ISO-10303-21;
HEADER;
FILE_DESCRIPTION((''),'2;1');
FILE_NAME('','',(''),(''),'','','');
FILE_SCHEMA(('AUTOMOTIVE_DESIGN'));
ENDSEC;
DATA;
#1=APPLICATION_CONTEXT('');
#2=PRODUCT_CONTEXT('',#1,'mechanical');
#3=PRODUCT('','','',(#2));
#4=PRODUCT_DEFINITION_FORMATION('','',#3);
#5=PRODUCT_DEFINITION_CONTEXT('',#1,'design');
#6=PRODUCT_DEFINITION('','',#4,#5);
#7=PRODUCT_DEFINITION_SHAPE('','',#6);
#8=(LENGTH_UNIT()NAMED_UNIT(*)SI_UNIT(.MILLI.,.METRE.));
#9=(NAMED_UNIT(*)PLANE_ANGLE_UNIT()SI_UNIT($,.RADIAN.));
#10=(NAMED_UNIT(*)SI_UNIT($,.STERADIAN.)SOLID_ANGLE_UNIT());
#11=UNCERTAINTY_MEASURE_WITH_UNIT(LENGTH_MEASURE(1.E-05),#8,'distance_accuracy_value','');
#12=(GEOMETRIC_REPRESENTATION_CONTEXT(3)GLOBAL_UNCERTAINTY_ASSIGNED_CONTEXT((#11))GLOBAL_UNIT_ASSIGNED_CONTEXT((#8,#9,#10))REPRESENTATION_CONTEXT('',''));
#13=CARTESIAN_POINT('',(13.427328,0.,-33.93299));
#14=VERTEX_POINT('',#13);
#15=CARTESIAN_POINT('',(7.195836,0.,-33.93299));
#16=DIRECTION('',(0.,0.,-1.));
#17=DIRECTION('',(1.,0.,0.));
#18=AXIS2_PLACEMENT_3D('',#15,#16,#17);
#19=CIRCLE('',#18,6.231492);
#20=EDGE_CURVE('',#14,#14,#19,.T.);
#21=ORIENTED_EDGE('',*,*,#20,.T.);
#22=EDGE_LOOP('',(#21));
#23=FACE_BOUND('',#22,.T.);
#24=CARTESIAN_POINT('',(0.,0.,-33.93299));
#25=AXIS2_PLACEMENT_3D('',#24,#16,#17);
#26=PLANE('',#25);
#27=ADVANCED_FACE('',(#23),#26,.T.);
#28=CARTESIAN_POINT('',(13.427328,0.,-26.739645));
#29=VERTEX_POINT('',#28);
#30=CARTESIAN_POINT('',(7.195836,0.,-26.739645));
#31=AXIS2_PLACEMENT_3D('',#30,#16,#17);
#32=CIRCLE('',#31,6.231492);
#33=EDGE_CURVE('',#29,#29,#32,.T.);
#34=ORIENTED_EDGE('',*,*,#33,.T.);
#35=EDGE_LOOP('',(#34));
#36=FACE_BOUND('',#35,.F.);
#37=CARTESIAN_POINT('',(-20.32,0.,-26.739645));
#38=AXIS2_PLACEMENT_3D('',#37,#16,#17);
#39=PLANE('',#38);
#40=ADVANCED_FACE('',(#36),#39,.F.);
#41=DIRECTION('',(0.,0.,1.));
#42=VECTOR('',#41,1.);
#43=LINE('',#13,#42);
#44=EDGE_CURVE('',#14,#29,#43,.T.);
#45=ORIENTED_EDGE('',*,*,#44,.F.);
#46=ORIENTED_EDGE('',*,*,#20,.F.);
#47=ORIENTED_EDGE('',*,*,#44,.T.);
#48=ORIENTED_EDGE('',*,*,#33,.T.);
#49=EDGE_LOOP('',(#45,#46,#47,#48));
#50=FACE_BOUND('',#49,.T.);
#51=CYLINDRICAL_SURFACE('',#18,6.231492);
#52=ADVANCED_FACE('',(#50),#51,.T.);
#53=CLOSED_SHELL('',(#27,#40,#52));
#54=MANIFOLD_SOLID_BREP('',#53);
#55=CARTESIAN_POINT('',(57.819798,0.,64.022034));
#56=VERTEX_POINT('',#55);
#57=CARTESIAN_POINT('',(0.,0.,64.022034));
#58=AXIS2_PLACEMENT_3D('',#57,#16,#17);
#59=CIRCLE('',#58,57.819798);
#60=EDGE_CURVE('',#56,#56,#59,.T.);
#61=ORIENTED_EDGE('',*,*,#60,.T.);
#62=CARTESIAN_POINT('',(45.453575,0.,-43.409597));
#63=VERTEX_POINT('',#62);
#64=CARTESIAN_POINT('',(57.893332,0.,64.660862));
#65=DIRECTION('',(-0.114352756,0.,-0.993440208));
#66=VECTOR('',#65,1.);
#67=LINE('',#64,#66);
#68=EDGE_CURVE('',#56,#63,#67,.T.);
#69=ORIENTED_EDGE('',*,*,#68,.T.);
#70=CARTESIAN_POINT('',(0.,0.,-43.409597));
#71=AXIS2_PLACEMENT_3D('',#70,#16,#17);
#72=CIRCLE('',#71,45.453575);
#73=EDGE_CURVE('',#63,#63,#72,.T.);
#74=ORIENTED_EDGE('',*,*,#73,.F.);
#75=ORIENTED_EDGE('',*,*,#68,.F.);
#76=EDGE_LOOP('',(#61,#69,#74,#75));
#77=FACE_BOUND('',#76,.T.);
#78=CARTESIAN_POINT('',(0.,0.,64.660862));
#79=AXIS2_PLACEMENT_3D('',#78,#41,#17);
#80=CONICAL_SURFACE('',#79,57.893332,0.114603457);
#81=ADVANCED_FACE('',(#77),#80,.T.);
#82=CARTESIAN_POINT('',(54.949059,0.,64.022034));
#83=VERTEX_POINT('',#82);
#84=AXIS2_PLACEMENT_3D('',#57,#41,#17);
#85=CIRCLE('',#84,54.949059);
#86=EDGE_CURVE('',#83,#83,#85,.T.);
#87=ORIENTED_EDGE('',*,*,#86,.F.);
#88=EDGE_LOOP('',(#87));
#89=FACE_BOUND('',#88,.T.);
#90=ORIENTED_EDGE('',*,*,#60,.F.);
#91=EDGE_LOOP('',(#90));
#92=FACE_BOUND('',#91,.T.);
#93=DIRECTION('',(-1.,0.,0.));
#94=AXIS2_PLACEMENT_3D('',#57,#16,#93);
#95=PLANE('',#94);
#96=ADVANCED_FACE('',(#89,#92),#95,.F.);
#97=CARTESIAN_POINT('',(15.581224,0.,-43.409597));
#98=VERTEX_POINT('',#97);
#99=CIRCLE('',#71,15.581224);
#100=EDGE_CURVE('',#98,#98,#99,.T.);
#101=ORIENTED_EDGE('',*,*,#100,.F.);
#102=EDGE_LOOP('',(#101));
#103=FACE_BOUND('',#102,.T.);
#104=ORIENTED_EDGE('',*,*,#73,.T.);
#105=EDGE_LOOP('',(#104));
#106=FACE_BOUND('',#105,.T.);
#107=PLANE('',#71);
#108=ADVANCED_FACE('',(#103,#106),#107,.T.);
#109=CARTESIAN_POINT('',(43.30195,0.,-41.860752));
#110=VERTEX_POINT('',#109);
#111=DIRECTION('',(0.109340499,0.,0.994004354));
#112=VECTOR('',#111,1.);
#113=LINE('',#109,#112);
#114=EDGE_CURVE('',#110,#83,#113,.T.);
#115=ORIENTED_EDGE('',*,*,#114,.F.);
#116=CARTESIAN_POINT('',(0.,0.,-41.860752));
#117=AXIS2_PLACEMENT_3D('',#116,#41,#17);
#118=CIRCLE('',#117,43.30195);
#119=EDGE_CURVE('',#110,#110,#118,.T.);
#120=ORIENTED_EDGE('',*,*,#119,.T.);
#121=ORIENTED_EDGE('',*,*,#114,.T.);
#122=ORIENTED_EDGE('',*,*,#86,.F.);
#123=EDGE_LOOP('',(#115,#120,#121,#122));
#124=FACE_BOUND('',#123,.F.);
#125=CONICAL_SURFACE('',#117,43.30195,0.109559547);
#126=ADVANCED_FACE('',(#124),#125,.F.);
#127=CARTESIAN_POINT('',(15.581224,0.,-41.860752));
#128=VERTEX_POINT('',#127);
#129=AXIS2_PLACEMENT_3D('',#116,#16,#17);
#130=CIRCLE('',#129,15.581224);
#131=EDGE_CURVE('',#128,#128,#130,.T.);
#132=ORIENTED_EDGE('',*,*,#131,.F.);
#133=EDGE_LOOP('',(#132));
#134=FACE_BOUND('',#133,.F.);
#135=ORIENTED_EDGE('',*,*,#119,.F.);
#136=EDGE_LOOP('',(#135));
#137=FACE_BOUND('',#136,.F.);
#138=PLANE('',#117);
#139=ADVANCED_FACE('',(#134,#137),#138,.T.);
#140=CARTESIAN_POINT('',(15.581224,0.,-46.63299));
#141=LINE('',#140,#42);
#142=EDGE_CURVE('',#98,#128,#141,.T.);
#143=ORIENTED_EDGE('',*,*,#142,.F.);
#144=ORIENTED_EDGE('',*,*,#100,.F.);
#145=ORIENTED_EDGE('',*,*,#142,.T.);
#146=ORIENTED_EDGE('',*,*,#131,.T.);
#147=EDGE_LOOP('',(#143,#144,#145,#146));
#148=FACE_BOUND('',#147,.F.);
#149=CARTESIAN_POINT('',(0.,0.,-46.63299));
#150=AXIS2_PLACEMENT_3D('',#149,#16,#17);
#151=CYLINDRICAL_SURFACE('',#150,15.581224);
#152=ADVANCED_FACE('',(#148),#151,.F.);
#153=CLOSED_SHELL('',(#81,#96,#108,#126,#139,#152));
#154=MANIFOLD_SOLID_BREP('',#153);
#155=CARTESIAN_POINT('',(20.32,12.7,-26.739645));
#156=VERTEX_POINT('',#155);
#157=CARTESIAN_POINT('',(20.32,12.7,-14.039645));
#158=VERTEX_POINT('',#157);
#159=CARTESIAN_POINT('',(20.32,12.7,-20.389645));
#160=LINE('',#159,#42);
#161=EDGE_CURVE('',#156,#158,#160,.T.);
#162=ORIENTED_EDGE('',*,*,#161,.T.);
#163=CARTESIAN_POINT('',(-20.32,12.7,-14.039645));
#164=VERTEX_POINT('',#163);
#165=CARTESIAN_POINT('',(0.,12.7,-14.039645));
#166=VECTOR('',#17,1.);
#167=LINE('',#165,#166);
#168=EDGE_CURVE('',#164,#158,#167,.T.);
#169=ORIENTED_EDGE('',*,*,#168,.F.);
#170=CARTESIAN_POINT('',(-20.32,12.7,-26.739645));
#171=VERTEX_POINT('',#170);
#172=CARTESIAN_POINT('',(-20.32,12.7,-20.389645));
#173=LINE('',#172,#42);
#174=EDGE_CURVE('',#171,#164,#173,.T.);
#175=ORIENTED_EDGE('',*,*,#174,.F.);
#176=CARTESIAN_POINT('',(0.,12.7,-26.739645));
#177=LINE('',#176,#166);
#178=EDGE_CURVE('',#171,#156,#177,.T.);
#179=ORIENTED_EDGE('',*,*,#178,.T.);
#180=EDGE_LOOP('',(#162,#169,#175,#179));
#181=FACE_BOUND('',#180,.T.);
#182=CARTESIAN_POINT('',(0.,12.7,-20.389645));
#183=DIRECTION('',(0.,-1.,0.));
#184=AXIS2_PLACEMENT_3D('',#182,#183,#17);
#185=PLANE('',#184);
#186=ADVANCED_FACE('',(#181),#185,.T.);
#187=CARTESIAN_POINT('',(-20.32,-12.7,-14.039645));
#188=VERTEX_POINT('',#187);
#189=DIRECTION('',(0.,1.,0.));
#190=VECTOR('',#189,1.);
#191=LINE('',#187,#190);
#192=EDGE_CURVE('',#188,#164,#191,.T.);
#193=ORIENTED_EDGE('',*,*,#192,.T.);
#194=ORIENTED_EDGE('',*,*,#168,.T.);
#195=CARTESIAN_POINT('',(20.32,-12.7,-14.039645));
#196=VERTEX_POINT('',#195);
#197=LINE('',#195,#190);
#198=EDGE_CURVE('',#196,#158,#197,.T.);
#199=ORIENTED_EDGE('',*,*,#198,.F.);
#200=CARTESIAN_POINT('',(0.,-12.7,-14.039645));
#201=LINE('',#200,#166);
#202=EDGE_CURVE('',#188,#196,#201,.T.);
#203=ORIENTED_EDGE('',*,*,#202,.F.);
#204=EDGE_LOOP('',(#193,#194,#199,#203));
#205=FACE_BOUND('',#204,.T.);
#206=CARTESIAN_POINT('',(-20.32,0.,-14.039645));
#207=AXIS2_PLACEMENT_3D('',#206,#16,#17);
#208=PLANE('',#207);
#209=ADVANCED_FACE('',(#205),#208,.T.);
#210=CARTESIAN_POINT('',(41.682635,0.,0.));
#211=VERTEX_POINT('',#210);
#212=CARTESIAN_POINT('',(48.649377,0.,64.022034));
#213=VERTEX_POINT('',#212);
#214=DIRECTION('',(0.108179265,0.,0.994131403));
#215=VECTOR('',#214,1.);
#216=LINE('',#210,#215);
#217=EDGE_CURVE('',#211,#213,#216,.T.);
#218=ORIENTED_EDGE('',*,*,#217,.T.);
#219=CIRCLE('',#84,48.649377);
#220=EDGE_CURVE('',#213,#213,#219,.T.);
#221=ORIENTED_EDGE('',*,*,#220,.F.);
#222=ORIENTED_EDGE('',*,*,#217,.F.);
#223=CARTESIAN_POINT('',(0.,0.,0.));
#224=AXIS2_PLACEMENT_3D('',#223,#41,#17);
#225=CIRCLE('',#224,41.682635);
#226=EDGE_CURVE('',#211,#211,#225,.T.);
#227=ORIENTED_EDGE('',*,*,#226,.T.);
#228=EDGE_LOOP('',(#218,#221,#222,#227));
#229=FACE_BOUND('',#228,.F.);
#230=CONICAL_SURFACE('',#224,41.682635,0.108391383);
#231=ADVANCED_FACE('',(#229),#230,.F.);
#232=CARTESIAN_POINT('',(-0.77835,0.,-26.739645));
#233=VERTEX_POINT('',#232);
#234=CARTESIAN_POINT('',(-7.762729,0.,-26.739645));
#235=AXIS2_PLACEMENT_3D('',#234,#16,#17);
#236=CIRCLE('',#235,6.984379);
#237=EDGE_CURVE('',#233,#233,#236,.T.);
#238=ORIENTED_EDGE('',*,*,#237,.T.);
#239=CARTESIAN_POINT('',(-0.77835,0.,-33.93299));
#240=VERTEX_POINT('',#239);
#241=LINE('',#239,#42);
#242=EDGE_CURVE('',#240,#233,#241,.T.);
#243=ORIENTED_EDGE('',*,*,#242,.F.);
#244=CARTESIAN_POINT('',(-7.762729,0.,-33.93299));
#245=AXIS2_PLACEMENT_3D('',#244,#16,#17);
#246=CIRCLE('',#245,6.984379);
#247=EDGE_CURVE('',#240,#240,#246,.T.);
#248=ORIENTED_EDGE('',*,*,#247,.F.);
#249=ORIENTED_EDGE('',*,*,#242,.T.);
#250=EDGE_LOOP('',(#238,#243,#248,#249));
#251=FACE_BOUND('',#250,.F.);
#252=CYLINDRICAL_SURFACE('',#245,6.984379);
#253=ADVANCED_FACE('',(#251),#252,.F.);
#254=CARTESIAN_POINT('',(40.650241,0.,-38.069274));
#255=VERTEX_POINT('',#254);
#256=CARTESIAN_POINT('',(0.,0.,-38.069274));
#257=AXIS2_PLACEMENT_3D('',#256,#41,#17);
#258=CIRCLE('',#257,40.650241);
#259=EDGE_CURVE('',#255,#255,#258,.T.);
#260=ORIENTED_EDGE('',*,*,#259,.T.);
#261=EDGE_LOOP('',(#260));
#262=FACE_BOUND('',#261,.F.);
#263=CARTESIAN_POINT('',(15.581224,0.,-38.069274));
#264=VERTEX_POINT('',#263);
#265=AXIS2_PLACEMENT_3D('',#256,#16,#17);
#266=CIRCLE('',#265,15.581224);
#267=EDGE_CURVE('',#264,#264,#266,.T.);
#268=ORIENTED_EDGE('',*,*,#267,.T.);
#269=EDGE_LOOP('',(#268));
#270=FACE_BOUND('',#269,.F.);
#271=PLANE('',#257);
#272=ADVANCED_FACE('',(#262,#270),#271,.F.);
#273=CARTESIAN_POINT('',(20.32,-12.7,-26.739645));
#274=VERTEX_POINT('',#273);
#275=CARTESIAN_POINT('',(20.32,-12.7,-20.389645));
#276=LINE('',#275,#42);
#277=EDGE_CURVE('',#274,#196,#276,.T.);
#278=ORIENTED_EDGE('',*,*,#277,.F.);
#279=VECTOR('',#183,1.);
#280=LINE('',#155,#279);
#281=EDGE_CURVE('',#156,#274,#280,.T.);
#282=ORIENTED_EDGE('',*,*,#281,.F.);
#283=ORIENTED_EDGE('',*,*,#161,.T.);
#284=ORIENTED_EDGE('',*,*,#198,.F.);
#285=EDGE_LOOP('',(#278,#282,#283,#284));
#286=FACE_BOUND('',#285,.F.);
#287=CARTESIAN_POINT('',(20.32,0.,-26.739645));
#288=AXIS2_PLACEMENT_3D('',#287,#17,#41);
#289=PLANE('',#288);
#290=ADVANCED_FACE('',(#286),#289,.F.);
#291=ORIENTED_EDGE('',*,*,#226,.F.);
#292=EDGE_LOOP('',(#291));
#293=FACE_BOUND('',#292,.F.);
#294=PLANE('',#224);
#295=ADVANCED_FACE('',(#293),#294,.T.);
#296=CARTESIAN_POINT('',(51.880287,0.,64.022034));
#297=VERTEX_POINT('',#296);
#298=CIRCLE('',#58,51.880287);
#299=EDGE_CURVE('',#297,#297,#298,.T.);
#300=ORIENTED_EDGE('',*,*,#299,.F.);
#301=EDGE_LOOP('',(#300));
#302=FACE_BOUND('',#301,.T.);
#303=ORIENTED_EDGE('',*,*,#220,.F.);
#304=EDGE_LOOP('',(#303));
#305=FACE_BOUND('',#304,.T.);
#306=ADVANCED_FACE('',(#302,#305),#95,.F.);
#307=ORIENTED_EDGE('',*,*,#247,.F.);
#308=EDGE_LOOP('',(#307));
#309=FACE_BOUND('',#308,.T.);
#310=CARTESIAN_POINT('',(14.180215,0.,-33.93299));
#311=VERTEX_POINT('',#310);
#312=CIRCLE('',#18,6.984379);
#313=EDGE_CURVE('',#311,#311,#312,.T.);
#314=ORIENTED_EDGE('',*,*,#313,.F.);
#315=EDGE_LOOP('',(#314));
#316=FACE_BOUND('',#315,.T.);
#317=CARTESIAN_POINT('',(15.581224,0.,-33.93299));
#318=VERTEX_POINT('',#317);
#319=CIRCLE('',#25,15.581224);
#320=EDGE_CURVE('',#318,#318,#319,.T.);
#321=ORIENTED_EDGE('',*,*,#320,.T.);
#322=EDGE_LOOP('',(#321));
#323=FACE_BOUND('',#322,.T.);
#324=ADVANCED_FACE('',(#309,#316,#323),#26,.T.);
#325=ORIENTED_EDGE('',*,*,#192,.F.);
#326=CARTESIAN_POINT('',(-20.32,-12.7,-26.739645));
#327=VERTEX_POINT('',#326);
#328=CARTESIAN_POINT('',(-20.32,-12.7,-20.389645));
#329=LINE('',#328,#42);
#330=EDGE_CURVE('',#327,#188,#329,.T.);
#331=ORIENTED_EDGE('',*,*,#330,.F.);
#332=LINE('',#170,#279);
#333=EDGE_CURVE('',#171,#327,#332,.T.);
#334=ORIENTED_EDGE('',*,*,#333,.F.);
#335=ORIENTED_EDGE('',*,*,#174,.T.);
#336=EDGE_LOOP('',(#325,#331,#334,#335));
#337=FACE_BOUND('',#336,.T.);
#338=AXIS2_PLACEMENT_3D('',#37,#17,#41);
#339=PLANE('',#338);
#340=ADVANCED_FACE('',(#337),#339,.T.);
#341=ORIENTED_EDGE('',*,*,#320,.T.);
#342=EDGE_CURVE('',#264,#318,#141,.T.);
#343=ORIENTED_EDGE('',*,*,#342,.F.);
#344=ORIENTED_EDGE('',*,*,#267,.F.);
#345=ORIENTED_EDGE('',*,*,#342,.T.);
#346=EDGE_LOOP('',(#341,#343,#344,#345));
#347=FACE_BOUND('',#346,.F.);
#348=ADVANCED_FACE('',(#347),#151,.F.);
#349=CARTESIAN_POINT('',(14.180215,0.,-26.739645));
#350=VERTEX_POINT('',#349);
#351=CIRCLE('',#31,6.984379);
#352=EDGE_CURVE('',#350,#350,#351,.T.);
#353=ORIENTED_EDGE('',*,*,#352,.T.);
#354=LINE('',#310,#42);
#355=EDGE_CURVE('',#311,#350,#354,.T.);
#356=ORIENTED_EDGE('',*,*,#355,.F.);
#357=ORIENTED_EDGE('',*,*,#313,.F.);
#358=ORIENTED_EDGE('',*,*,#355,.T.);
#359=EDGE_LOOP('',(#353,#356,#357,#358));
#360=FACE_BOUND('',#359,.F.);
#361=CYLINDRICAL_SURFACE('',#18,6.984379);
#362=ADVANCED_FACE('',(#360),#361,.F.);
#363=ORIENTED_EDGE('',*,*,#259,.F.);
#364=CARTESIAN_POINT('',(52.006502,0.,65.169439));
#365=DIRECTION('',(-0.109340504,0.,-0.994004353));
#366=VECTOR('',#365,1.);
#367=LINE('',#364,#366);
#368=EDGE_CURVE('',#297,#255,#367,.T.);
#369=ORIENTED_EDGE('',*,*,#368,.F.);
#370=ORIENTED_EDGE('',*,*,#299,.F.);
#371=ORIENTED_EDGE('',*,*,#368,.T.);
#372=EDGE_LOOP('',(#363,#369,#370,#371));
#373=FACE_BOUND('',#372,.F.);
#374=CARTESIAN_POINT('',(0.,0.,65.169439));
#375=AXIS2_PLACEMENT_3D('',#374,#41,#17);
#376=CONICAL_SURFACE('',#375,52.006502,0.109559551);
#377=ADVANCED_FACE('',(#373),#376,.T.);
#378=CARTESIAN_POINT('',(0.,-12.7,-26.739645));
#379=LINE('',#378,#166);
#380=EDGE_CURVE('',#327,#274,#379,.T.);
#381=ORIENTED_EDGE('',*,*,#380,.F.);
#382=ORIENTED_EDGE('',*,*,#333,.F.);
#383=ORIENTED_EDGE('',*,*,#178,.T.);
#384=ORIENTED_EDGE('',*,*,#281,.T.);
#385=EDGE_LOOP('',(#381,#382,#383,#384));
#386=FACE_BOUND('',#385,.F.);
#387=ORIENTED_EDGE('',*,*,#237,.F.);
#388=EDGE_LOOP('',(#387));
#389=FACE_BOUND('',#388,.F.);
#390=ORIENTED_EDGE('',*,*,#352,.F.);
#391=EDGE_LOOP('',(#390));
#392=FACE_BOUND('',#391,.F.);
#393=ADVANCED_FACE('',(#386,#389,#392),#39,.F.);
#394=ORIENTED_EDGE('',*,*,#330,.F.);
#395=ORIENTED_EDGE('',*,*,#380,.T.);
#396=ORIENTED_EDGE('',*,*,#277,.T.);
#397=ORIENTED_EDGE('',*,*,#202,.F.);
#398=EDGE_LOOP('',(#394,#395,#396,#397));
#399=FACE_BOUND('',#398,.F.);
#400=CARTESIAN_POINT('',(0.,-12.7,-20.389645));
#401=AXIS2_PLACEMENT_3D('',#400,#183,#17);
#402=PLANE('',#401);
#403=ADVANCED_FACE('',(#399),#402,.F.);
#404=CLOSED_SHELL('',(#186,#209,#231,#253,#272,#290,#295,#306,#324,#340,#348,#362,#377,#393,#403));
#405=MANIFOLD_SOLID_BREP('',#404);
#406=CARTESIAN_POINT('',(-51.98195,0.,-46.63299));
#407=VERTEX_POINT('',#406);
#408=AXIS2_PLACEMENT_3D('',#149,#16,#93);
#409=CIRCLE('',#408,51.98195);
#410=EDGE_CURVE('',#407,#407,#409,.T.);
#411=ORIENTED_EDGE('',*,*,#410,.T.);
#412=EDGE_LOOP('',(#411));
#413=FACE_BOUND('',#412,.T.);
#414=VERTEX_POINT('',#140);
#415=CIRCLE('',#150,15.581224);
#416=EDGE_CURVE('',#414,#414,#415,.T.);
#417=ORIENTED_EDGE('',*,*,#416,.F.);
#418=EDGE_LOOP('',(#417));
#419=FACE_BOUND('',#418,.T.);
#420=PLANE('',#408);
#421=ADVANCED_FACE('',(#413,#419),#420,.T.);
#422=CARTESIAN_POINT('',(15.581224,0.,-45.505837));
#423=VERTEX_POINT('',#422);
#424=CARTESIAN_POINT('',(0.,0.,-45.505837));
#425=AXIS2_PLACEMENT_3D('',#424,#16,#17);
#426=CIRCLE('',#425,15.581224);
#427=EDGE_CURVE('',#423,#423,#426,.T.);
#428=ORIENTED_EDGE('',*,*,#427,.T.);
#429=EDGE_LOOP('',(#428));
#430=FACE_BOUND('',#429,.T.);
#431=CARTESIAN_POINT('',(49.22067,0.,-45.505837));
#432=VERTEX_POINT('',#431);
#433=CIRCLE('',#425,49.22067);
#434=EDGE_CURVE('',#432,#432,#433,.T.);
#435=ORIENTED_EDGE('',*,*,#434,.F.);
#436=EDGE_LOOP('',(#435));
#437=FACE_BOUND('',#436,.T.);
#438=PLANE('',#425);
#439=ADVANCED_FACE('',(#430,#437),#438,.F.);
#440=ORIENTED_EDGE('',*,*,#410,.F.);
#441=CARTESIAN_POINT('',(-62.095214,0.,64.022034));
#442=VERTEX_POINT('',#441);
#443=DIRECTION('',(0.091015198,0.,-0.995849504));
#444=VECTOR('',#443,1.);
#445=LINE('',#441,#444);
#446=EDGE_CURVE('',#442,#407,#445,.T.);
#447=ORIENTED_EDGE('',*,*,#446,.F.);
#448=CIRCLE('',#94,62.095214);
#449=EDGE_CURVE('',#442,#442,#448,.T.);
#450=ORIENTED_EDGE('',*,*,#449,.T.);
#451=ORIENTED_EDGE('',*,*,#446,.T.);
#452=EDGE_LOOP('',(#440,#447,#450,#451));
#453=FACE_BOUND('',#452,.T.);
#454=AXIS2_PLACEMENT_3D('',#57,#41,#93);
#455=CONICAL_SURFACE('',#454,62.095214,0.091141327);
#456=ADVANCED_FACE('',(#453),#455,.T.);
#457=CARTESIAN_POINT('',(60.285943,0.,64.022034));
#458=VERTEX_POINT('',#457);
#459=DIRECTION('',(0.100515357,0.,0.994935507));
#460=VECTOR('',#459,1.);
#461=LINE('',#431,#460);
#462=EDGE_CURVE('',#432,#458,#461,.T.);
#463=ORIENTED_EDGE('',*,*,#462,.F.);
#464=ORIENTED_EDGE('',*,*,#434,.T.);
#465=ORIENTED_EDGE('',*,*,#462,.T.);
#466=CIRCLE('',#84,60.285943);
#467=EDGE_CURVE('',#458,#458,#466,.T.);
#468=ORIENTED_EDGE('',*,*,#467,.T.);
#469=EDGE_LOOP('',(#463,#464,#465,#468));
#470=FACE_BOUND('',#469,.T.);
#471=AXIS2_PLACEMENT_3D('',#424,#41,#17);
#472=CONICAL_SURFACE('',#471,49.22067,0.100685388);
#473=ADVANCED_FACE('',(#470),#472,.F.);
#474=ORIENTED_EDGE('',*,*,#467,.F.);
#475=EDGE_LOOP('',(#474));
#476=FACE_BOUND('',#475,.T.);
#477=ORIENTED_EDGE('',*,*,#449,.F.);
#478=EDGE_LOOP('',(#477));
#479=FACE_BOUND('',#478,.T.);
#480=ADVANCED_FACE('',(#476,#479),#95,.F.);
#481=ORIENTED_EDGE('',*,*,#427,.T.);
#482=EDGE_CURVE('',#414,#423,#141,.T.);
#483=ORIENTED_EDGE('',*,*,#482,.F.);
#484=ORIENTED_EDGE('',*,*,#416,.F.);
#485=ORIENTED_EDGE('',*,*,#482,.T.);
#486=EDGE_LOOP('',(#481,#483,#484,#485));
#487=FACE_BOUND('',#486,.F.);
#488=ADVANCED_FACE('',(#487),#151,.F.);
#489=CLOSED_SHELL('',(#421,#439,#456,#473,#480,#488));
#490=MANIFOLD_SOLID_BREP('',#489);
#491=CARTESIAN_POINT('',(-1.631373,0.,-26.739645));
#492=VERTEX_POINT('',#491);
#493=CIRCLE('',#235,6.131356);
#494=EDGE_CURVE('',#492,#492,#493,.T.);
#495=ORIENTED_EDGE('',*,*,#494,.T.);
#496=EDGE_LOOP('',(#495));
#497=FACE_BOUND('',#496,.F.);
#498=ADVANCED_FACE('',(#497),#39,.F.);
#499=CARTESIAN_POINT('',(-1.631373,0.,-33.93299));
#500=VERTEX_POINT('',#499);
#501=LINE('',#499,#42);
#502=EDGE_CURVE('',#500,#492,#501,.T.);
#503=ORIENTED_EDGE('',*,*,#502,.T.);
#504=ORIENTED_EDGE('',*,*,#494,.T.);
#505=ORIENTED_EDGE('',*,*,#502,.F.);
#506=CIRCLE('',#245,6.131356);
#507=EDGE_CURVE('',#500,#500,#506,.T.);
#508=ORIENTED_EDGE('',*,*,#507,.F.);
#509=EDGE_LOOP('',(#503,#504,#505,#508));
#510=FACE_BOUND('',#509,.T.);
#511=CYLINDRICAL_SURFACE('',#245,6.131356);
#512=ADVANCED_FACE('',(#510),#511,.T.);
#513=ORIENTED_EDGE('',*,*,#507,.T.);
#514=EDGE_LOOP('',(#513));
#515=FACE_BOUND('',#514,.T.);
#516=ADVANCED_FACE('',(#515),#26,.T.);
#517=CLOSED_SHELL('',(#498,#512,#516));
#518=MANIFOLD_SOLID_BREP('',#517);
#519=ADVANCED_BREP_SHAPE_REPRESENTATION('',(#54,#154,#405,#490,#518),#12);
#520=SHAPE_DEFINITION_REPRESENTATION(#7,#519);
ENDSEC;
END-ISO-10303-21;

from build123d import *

# Parameters (mm, degrees)
F3_R      = 15.581224
F4_DEPTH  = 12.7
F5_W      = 40.64
F5_H      = 12.7
F6_DEPTH  = 12.7
F11_R     = 6.984379
F11_R_2   = 6.131356
F11_R_3   = 6.231492
F12_DEPTH = 12.7


with BuildPart() as f1:
    # F0 (on Front) → F1 (revolve)
    with BuildSketch(Plane.XZ):
        Polygon((-62.095214, 64.022034), (-51.98195, -46.63299), (0, -46.63299), (0, 64.022034), align=None)
    revolve(axis=Axis((0, 0, 8.694522), (0, 0, -1)))

    # F3 (on offset) → F4 (cut)
    with BuildSketch(Plane(origin=(0, 0, -46.63299), x_dir=(1, 0, 0), z_dir=(0, 0, -1))):
        Circle(F3_R)
    extrude(amount=-F4_DEPTH, mode=Mode.SUBTRACT)

    # F5 (on Front) → F6 (cut, symmetric)
    with BuildSketch(Plane.XZ):
        with Locations((0, -20.389645)):
            Rectangle(F5_W, F5_H)
    extrude(amount=F6_DEPTH, both=True, mode=Mode.SUBTRACT)

    # F7 (on Front) → F8 (revolve, cut)
    with BuildSketch(Plane.XZ):
        Polygon((49.167432, 68.782791), (0, 68.782791), (0, 0), (41.682635, 0), align=None)
    revolve(axis=Axis((0, 0, 34.391396), (0, 0, 1)), mode=Mode.SUBTRACT)

    # F9 (on Front) → F10 (revolve, cut)
    with BuildSketch(Plane.XZ):
        Polygon((40.650241, -38.069274), (15.356758, -38.069274), (0, -38.069274), (0, -41.860752), (15.356758, -41.860752), (43.30195, -41.860752), (55.038585, 64.83591), (52.006502, 65.169439), align=None)
    revolve(axis=Axis((0, 0, -39.965013), (0, 0, 1)), mode=Mode.SUBTRACT)

    # F11 (on face) → F12 (cut)
    with BuildSketch(Plane(origin=(0, 0, -33.93299), x_dir=(1, 0, 0), z_dir=(0, 0, -1))):
        with Locations((-7.762729, 0)):
            Circle(F11_R)
        with Locations((-7.762729, 0)):
            Circle(F11_R_2, mode=Mode.SUBTRACT)
        with Locations((7.195836, 0)):
            Circle(F11_R)
        with Locations((7.195836, 0)):
            Circle(F11_R_3, mode=Mode.SUBTRACT)
    extrude(amount=-F12_DEPTH, mode=Mode.SUBTRACT)

    # F13 (on Front) → F14 (revolve, cut)
    with BuildSketch(Plane.XZ):
        Polygon((60.373548, 64.889178), (57.893332, 64.660862), (45.453575, -43.409597), (0, -43.409597), (0, -45.505837), (49.22067, -45.505837), align=None)
    revolve(axis=Axis((0, 0, -44.457717), (0, 0, -1)), mode=Mode.SUBTRACT)


solid = f1.part
